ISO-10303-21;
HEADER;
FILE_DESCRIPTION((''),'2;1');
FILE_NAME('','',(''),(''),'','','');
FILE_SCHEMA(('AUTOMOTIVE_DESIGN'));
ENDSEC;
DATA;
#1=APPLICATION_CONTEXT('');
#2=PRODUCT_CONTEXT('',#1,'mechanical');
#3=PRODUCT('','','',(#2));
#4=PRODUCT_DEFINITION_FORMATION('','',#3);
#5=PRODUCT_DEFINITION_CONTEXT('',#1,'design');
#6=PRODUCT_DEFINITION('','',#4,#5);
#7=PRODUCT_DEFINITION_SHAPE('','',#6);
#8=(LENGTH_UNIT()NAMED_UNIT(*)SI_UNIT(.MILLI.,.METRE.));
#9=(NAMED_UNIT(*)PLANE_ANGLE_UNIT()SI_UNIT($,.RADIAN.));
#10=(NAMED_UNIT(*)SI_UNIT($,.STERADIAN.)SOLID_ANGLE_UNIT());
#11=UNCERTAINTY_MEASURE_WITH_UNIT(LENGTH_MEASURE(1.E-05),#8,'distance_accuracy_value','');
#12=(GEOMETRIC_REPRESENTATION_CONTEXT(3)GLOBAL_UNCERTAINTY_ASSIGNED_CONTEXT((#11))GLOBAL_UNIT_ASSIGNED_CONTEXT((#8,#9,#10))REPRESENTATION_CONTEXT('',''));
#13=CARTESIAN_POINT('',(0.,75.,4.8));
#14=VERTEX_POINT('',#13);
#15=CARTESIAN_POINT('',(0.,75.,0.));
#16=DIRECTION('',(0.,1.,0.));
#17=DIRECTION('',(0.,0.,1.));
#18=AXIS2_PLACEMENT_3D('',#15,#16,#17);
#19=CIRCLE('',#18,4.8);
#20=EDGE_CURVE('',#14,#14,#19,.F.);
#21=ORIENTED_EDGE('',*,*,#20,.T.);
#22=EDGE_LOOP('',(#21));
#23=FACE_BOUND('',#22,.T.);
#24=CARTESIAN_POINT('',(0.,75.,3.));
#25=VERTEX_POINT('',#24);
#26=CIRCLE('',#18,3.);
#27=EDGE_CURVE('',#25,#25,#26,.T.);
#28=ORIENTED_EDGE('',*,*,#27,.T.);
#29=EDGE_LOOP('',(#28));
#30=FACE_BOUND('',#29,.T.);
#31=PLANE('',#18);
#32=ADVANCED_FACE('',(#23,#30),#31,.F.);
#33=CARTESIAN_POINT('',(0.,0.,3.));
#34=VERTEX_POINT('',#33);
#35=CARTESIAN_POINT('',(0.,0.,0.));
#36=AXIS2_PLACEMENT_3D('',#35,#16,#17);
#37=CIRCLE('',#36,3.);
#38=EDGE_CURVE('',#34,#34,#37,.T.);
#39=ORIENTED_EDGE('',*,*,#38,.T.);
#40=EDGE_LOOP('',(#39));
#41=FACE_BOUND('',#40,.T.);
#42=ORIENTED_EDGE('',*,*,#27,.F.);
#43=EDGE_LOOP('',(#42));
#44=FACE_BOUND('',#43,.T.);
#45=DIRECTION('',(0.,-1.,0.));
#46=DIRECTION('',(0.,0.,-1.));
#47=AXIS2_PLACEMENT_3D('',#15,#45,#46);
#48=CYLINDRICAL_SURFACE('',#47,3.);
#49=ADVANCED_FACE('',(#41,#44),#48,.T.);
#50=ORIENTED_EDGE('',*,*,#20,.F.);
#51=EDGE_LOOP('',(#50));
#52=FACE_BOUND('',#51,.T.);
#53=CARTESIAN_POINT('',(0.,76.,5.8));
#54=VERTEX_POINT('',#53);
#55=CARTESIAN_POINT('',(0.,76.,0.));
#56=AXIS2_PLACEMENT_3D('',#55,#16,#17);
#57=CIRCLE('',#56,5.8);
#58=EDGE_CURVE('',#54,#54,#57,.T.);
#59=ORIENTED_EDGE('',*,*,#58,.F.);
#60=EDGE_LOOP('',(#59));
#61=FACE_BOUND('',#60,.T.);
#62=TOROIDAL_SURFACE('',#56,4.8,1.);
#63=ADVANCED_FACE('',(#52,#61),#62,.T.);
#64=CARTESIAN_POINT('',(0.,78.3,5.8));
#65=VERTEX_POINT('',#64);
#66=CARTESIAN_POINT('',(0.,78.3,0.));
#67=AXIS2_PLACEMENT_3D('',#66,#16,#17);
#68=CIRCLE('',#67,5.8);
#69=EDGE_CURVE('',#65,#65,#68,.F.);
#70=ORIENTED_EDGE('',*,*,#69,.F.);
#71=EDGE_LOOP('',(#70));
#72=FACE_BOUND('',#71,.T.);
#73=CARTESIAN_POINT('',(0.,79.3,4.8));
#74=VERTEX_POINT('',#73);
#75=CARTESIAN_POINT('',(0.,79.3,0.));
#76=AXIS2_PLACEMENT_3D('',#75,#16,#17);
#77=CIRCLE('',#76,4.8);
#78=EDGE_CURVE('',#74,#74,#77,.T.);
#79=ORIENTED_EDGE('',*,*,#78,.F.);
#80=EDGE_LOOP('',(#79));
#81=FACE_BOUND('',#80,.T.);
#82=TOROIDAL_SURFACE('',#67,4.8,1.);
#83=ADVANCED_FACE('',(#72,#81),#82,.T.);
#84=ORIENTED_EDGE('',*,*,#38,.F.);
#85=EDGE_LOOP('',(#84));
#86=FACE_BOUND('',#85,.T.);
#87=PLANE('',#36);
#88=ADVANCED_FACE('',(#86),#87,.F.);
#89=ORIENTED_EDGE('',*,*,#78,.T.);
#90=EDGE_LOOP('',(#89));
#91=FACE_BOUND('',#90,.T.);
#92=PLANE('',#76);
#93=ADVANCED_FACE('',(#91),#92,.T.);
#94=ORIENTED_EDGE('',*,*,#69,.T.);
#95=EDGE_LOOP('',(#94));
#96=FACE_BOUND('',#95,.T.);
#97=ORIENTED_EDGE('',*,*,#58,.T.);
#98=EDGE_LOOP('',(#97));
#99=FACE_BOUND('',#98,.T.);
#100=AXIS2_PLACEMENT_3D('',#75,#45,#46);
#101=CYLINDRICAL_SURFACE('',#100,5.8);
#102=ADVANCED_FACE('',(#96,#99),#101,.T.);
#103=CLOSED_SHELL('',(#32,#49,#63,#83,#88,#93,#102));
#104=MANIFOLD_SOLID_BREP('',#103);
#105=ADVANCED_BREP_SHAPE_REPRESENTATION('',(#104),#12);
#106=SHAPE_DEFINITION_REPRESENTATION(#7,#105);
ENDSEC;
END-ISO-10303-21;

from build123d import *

# Parameters (mm, degrees)
SKETCH1_R           = 3
BOSS_EXTRUDE1_DEPTH = 75
SKETCH2_R           = 5.8
BOSS_EXTRUDE2_DEPTH = 4.3
FILLET1_R           = 1


with BuildPart() as part:
    # Sketch1 → Boss-Extrude1 (new body)
    with BuildSketch(Plane(origin=(0, 0, 0), x_dir=(1, 0, 0), z_dir=(0, 1, 0))):
        with Locations(Location((0, 0, 0), (0, 0, 270))):  # turned: the seam where the file's is
            Circle(SKETCH1_R)
    extrude(amount=BOSS_EXTRUDE1_DEPTH)

    # Sketch2 → Boss-Extrude2 (add)
    with BuildSketch(Plane(origin=(0, 75, 0), x_dir=(1, 0, 0), z_dir=(0, 1, 0))):
        with Locations(Location((0, 0, 0), (0, 0, 270))):  # turned: the seam where the file's is
            Circle(SKETCH2_R)
    extrude(amount=BOSS_EXTRUDE2_DEPTH)

    # Fillet1
    fillet1_edges = [part.edges().sort_by_distance(p)[0] for p in [
        (0, 75, -5.8),
        (0, 79.3, -5.8),
    ]]
    fillet(fillet1_edges, radius=FILLET1_R)


solid = part.part
